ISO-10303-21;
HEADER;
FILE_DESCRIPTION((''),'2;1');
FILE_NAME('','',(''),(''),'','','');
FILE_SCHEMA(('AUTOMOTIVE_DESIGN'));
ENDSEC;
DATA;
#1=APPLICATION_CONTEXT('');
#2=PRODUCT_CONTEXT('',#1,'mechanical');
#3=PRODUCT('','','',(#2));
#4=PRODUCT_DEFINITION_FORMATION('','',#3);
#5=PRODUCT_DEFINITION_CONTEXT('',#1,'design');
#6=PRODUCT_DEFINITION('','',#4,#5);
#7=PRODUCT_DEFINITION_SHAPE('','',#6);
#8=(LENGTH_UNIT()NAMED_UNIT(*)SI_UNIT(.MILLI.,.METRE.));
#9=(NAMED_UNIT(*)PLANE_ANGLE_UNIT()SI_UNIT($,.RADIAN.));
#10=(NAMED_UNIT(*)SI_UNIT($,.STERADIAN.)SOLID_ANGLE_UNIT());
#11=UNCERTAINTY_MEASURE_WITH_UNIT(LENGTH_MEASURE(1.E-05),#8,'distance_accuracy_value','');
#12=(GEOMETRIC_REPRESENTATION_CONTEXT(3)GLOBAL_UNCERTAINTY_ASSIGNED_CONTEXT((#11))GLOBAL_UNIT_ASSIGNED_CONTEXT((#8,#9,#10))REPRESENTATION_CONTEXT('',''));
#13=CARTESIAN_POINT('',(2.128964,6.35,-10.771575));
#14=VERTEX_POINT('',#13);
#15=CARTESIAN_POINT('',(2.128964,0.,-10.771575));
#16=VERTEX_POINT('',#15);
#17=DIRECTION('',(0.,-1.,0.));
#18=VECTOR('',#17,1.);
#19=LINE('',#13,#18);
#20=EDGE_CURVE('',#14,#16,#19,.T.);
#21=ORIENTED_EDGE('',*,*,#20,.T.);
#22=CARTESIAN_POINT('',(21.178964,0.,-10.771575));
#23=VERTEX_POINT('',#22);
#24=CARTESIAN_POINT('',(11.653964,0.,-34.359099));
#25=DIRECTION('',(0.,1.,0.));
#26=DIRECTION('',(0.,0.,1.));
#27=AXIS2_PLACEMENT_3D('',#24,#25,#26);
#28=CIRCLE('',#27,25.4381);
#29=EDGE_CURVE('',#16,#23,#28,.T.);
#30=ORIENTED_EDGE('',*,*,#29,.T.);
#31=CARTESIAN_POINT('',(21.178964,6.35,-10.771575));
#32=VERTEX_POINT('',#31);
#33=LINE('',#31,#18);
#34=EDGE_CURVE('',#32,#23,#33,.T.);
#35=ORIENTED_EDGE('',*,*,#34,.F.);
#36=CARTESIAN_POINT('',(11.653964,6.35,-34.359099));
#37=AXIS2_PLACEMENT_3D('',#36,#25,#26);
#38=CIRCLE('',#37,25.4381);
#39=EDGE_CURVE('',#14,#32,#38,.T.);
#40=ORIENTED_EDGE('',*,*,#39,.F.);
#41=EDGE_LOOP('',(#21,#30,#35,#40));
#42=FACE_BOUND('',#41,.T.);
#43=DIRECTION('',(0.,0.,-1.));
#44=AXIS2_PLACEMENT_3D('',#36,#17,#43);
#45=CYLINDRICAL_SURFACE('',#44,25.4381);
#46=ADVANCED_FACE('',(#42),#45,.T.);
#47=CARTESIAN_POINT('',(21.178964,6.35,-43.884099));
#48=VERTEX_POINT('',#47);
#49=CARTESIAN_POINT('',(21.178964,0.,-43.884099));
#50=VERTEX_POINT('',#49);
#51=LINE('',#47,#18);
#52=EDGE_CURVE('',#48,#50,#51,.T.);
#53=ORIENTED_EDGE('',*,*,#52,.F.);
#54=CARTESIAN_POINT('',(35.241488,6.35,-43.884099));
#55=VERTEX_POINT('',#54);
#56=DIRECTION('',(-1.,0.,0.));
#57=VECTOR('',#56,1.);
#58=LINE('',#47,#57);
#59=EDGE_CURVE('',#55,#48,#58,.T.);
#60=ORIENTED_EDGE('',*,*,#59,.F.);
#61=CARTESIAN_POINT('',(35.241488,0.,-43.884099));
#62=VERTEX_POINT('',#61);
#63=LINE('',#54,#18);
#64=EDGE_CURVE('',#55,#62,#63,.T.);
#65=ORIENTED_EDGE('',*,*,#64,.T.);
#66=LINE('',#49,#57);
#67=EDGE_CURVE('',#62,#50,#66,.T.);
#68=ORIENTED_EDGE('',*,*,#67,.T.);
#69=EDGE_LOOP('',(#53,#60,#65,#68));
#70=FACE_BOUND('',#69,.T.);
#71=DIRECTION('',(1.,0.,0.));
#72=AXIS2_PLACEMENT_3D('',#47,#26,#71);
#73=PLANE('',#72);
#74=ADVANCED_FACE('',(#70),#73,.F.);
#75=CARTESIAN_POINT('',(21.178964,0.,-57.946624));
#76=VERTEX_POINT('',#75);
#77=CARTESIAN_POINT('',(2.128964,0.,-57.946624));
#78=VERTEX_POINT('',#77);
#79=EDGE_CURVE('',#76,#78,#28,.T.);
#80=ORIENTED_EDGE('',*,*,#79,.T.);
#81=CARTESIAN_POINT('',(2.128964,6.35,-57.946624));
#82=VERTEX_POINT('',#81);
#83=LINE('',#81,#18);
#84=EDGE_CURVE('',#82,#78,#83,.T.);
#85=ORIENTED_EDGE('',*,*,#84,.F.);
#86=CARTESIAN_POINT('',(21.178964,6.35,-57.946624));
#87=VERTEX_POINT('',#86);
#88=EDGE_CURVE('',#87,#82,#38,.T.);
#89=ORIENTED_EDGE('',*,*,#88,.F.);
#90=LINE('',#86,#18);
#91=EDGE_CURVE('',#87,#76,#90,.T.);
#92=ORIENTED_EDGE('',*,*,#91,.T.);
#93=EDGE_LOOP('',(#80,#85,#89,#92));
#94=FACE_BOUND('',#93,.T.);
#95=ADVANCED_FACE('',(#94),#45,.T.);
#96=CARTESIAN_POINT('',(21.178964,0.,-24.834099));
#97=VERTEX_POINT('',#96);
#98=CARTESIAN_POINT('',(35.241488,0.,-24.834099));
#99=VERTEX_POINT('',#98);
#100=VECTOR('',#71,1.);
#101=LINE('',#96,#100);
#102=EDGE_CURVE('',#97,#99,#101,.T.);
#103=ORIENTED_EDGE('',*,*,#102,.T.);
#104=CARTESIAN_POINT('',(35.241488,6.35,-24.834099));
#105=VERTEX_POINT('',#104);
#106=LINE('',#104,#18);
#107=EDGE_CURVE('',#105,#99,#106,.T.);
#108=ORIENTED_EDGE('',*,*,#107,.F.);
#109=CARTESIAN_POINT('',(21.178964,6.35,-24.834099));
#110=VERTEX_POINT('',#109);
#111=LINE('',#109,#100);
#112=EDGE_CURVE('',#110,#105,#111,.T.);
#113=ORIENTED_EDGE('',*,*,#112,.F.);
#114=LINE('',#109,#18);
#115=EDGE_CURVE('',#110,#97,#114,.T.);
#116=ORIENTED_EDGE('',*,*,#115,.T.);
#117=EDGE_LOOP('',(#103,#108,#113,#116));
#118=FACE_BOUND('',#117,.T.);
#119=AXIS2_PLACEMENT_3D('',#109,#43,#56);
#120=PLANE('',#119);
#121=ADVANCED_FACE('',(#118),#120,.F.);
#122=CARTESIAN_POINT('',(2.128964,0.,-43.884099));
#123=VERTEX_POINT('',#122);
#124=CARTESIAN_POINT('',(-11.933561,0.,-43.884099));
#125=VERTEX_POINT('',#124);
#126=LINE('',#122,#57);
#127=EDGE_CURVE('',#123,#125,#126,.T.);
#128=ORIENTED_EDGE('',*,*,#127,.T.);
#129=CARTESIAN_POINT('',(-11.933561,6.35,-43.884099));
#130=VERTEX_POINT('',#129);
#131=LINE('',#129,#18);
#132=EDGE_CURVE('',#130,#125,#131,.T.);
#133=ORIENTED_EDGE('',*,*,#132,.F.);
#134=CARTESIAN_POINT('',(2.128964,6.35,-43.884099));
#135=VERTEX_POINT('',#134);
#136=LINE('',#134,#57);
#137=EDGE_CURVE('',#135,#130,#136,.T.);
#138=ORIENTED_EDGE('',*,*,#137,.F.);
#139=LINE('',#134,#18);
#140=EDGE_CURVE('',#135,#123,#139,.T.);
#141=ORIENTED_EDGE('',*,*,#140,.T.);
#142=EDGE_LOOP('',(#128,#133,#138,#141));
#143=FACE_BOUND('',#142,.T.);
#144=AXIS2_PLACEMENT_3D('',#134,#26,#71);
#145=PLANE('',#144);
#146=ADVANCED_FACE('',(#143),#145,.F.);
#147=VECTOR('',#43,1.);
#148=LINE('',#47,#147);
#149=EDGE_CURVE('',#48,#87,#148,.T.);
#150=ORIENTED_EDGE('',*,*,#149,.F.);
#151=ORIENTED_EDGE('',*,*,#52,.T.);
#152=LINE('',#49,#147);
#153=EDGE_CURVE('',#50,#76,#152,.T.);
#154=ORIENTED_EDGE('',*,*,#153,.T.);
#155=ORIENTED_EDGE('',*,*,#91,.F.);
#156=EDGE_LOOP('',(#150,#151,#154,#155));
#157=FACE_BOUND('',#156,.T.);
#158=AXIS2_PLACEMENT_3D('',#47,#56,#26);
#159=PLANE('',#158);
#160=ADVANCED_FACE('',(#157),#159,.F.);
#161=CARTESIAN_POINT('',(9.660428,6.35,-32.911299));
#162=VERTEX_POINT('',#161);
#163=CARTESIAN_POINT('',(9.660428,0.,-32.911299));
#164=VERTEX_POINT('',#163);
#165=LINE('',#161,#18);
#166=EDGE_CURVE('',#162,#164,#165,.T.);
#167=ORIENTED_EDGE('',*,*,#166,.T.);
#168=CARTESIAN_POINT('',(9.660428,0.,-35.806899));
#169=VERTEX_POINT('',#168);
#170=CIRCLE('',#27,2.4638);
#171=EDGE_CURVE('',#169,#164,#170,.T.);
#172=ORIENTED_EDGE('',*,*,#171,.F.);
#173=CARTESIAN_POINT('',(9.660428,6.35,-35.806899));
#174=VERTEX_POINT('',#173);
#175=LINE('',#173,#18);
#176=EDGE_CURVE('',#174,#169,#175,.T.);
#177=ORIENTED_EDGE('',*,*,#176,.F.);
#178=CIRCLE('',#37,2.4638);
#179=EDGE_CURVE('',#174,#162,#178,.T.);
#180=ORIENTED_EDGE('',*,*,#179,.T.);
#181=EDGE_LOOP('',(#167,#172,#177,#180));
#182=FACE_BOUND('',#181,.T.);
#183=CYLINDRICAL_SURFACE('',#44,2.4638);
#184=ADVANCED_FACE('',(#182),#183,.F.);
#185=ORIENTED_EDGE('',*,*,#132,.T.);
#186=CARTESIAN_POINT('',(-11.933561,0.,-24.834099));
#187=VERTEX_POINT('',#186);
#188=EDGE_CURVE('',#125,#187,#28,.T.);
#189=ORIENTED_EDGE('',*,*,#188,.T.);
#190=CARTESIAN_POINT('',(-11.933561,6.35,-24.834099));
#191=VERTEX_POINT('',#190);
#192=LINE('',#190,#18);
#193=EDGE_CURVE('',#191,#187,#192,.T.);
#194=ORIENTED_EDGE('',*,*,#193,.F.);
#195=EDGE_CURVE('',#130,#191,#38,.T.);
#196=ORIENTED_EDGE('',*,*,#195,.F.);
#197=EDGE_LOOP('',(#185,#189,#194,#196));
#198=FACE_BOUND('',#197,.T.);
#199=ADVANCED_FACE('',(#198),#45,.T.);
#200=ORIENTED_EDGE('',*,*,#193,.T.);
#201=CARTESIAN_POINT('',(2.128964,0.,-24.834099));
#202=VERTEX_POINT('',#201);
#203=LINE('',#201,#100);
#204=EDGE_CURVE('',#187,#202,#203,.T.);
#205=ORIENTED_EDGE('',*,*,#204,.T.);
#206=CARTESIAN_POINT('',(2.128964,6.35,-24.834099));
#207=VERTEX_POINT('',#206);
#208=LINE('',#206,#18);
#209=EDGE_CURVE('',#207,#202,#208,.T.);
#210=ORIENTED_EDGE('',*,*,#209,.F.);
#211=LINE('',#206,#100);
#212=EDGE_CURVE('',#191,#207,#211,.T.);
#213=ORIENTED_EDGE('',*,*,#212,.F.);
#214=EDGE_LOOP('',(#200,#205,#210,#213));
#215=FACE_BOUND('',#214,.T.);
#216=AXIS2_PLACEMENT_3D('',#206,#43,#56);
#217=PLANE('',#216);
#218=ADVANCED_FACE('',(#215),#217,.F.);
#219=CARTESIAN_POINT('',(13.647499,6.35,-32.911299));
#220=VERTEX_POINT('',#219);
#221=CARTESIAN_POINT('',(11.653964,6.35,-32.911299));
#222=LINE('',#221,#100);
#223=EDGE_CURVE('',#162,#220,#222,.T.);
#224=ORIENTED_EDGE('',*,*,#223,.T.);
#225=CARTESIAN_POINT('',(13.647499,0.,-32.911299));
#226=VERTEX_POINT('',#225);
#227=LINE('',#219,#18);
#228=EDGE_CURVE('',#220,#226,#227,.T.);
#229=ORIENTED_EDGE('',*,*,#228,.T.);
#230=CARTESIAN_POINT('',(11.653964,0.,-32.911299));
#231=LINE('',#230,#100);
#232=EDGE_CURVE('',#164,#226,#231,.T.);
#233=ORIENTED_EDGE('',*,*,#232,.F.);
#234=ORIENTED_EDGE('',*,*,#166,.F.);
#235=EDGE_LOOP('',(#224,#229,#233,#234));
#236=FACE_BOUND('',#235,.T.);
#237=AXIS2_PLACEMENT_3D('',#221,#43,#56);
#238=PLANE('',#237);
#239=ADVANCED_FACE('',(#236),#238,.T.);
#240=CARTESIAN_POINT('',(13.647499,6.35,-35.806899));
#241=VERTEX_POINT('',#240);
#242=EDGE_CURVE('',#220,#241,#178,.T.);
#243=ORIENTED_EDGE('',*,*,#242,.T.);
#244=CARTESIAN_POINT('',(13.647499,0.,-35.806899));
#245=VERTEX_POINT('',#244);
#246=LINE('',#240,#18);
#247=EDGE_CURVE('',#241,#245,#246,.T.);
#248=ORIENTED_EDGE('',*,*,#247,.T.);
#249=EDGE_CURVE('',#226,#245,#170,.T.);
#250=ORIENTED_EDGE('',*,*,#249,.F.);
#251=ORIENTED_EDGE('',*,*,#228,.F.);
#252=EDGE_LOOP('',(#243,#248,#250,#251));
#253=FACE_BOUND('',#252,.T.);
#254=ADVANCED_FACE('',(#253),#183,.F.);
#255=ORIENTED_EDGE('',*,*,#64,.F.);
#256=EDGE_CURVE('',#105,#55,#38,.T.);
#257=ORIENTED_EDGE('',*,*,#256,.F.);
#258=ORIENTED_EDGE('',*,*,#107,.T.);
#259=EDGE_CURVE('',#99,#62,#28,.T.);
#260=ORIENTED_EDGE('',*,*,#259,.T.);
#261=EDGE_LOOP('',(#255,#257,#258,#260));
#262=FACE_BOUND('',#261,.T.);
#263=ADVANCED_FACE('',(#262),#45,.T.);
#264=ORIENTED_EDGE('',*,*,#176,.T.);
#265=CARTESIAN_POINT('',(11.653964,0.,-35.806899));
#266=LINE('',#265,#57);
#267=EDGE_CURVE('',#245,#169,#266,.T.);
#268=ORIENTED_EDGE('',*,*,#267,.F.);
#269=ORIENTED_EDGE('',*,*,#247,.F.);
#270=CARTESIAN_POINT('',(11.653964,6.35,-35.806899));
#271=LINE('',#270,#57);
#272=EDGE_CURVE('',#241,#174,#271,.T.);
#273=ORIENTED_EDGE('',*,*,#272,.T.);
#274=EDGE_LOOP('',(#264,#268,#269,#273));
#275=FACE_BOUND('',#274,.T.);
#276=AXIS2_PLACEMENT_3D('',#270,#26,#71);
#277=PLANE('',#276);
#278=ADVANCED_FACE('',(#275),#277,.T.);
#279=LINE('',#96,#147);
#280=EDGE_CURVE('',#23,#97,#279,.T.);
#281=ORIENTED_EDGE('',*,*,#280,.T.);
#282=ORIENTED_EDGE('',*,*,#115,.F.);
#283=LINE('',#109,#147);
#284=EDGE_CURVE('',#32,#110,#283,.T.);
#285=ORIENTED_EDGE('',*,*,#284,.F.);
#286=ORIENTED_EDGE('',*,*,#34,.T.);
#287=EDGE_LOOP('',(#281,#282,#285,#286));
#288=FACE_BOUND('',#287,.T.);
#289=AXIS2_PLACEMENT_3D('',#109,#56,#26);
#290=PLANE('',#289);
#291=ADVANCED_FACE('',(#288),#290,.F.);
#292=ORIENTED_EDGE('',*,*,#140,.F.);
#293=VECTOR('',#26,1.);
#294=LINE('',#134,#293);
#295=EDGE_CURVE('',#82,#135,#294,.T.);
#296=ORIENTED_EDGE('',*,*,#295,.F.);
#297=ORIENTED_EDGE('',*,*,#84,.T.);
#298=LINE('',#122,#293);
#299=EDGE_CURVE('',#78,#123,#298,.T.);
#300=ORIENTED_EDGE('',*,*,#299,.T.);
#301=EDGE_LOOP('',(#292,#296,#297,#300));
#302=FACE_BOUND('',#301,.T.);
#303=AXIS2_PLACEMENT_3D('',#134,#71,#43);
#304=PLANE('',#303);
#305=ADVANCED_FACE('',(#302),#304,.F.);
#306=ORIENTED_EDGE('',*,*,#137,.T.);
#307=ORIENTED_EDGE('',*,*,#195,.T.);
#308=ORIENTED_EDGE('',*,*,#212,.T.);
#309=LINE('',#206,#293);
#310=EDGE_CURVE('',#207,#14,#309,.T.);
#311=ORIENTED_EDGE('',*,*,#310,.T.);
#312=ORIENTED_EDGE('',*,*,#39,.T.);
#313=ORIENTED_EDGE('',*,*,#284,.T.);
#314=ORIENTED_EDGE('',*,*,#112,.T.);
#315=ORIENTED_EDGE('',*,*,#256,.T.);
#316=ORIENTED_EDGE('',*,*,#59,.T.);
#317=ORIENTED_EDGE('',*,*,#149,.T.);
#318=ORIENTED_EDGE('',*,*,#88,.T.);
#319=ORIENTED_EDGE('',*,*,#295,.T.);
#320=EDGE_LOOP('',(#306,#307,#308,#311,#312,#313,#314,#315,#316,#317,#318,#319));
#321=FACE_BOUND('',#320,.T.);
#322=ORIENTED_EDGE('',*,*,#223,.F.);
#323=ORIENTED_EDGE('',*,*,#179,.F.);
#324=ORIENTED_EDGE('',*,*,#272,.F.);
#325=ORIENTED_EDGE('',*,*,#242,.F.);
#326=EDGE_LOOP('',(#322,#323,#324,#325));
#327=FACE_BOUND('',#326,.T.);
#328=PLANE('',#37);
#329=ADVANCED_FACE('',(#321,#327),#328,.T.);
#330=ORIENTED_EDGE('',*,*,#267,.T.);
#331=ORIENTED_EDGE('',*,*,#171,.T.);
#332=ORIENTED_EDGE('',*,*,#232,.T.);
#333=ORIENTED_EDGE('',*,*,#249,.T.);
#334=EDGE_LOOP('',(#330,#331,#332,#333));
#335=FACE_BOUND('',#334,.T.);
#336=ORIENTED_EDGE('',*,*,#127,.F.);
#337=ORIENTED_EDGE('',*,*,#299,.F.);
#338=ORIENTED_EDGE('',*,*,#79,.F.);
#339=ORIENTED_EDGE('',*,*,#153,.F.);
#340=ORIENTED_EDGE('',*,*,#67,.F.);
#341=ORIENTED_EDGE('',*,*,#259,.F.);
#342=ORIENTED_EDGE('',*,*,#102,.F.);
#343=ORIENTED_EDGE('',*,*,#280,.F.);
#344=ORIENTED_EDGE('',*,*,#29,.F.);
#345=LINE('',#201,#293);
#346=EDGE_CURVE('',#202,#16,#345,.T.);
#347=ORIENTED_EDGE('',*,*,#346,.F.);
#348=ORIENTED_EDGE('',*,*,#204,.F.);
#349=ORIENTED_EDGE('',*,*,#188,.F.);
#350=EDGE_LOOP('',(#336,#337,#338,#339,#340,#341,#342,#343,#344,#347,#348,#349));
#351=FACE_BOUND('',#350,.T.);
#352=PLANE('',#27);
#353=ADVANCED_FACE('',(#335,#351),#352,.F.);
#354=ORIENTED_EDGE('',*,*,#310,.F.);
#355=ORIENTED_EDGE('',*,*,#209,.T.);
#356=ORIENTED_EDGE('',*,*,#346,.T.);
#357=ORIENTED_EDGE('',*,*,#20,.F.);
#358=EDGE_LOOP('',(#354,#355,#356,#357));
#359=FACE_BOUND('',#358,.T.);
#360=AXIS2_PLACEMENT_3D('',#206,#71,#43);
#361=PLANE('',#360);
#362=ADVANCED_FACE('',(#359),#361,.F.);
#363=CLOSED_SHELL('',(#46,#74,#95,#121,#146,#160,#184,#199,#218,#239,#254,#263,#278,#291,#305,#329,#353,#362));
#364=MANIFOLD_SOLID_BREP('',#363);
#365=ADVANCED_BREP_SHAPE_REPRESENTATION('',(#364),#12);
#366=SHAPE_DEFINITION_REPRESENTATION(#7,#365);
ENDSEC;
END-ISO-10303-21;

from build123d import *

# Parameters (mm, degrees)
BOSS_EXTRUDE1_DEPTH = 6.35


with BuildPart() as part:
    # Sketch1 → Boss-Extrude1 (new body)
    with BuildSketch(Plane(origin=(0, 0, 0), x_dir=(1, 0, 0), z_dir=(0, 1, 0))):
        with BuildLine():
            Line((2.128963531, 43.884099376), (2.128963531, 57.94662376))
            ThreePointArc((2.128963531, 57.94662376), (11.653963531, 59.797199376), (21.178963531, 57.94662376))
            Line((21.178963531, 57.94662376), (21.178963531, 43.884099376))
            Line((21.178963531, 43.884099376), (35.241487916, 43.884099376))
            ThreePointArc((35.241487916, 43.884099376), (37.092063531, 34.359099376), (35.241487916, 24.834099376))
            Line((35.241487916, 24.834099376), (21.178963531, 24.834099376))
            Line((21.178963531, 24.834099376), (21.178963531, 10.771574991))
            ThreePointArc((21.178963531, 10.771574991), (11.653963531, 8.920999376), (2.128963531, 10.771574991))
            Line((2.128963531, 10.771574991), (2.128963531, 24.834099376))
            Line((2.128963531, 24.834099376), (-11.933560854, 24.834099376))
            ThreePointArc((-11.933560854, 24.834099376), (-13.784136469, 34.359099376), (-11.933560854, 43.884099376))
            Line((-11.933560854, 43.884099376), (2.128963531, 43.884099376))
        make_face()
        with BuildLine():
            Line((11.653963531, 35.806899376), (13.647499485, 35.806899376))
            ThreePointArc((13.647499485, 35.806899376), (14.117763531, 34.359099376), (13.647499485, 32.911299376))
            Line((13.647499485, 32.911299376), (11.653963531, 32.911299376))
            Line((11.653963531, 32.911299376), (9.660427577, 32.911299376))
            ThreePointArc((9.660427577, 32.911299376), (9.190163531, 34.359099376), (9.660427577, 35.806899376))
            Line((9.660427577, 35.806899376), (11.653963531, 35.806899376))
        make_face(mode=Mode.SUBTRACT)
    extrude(amount=BOSS_EXTRUDE1_DEPTH)


solid = part.part
